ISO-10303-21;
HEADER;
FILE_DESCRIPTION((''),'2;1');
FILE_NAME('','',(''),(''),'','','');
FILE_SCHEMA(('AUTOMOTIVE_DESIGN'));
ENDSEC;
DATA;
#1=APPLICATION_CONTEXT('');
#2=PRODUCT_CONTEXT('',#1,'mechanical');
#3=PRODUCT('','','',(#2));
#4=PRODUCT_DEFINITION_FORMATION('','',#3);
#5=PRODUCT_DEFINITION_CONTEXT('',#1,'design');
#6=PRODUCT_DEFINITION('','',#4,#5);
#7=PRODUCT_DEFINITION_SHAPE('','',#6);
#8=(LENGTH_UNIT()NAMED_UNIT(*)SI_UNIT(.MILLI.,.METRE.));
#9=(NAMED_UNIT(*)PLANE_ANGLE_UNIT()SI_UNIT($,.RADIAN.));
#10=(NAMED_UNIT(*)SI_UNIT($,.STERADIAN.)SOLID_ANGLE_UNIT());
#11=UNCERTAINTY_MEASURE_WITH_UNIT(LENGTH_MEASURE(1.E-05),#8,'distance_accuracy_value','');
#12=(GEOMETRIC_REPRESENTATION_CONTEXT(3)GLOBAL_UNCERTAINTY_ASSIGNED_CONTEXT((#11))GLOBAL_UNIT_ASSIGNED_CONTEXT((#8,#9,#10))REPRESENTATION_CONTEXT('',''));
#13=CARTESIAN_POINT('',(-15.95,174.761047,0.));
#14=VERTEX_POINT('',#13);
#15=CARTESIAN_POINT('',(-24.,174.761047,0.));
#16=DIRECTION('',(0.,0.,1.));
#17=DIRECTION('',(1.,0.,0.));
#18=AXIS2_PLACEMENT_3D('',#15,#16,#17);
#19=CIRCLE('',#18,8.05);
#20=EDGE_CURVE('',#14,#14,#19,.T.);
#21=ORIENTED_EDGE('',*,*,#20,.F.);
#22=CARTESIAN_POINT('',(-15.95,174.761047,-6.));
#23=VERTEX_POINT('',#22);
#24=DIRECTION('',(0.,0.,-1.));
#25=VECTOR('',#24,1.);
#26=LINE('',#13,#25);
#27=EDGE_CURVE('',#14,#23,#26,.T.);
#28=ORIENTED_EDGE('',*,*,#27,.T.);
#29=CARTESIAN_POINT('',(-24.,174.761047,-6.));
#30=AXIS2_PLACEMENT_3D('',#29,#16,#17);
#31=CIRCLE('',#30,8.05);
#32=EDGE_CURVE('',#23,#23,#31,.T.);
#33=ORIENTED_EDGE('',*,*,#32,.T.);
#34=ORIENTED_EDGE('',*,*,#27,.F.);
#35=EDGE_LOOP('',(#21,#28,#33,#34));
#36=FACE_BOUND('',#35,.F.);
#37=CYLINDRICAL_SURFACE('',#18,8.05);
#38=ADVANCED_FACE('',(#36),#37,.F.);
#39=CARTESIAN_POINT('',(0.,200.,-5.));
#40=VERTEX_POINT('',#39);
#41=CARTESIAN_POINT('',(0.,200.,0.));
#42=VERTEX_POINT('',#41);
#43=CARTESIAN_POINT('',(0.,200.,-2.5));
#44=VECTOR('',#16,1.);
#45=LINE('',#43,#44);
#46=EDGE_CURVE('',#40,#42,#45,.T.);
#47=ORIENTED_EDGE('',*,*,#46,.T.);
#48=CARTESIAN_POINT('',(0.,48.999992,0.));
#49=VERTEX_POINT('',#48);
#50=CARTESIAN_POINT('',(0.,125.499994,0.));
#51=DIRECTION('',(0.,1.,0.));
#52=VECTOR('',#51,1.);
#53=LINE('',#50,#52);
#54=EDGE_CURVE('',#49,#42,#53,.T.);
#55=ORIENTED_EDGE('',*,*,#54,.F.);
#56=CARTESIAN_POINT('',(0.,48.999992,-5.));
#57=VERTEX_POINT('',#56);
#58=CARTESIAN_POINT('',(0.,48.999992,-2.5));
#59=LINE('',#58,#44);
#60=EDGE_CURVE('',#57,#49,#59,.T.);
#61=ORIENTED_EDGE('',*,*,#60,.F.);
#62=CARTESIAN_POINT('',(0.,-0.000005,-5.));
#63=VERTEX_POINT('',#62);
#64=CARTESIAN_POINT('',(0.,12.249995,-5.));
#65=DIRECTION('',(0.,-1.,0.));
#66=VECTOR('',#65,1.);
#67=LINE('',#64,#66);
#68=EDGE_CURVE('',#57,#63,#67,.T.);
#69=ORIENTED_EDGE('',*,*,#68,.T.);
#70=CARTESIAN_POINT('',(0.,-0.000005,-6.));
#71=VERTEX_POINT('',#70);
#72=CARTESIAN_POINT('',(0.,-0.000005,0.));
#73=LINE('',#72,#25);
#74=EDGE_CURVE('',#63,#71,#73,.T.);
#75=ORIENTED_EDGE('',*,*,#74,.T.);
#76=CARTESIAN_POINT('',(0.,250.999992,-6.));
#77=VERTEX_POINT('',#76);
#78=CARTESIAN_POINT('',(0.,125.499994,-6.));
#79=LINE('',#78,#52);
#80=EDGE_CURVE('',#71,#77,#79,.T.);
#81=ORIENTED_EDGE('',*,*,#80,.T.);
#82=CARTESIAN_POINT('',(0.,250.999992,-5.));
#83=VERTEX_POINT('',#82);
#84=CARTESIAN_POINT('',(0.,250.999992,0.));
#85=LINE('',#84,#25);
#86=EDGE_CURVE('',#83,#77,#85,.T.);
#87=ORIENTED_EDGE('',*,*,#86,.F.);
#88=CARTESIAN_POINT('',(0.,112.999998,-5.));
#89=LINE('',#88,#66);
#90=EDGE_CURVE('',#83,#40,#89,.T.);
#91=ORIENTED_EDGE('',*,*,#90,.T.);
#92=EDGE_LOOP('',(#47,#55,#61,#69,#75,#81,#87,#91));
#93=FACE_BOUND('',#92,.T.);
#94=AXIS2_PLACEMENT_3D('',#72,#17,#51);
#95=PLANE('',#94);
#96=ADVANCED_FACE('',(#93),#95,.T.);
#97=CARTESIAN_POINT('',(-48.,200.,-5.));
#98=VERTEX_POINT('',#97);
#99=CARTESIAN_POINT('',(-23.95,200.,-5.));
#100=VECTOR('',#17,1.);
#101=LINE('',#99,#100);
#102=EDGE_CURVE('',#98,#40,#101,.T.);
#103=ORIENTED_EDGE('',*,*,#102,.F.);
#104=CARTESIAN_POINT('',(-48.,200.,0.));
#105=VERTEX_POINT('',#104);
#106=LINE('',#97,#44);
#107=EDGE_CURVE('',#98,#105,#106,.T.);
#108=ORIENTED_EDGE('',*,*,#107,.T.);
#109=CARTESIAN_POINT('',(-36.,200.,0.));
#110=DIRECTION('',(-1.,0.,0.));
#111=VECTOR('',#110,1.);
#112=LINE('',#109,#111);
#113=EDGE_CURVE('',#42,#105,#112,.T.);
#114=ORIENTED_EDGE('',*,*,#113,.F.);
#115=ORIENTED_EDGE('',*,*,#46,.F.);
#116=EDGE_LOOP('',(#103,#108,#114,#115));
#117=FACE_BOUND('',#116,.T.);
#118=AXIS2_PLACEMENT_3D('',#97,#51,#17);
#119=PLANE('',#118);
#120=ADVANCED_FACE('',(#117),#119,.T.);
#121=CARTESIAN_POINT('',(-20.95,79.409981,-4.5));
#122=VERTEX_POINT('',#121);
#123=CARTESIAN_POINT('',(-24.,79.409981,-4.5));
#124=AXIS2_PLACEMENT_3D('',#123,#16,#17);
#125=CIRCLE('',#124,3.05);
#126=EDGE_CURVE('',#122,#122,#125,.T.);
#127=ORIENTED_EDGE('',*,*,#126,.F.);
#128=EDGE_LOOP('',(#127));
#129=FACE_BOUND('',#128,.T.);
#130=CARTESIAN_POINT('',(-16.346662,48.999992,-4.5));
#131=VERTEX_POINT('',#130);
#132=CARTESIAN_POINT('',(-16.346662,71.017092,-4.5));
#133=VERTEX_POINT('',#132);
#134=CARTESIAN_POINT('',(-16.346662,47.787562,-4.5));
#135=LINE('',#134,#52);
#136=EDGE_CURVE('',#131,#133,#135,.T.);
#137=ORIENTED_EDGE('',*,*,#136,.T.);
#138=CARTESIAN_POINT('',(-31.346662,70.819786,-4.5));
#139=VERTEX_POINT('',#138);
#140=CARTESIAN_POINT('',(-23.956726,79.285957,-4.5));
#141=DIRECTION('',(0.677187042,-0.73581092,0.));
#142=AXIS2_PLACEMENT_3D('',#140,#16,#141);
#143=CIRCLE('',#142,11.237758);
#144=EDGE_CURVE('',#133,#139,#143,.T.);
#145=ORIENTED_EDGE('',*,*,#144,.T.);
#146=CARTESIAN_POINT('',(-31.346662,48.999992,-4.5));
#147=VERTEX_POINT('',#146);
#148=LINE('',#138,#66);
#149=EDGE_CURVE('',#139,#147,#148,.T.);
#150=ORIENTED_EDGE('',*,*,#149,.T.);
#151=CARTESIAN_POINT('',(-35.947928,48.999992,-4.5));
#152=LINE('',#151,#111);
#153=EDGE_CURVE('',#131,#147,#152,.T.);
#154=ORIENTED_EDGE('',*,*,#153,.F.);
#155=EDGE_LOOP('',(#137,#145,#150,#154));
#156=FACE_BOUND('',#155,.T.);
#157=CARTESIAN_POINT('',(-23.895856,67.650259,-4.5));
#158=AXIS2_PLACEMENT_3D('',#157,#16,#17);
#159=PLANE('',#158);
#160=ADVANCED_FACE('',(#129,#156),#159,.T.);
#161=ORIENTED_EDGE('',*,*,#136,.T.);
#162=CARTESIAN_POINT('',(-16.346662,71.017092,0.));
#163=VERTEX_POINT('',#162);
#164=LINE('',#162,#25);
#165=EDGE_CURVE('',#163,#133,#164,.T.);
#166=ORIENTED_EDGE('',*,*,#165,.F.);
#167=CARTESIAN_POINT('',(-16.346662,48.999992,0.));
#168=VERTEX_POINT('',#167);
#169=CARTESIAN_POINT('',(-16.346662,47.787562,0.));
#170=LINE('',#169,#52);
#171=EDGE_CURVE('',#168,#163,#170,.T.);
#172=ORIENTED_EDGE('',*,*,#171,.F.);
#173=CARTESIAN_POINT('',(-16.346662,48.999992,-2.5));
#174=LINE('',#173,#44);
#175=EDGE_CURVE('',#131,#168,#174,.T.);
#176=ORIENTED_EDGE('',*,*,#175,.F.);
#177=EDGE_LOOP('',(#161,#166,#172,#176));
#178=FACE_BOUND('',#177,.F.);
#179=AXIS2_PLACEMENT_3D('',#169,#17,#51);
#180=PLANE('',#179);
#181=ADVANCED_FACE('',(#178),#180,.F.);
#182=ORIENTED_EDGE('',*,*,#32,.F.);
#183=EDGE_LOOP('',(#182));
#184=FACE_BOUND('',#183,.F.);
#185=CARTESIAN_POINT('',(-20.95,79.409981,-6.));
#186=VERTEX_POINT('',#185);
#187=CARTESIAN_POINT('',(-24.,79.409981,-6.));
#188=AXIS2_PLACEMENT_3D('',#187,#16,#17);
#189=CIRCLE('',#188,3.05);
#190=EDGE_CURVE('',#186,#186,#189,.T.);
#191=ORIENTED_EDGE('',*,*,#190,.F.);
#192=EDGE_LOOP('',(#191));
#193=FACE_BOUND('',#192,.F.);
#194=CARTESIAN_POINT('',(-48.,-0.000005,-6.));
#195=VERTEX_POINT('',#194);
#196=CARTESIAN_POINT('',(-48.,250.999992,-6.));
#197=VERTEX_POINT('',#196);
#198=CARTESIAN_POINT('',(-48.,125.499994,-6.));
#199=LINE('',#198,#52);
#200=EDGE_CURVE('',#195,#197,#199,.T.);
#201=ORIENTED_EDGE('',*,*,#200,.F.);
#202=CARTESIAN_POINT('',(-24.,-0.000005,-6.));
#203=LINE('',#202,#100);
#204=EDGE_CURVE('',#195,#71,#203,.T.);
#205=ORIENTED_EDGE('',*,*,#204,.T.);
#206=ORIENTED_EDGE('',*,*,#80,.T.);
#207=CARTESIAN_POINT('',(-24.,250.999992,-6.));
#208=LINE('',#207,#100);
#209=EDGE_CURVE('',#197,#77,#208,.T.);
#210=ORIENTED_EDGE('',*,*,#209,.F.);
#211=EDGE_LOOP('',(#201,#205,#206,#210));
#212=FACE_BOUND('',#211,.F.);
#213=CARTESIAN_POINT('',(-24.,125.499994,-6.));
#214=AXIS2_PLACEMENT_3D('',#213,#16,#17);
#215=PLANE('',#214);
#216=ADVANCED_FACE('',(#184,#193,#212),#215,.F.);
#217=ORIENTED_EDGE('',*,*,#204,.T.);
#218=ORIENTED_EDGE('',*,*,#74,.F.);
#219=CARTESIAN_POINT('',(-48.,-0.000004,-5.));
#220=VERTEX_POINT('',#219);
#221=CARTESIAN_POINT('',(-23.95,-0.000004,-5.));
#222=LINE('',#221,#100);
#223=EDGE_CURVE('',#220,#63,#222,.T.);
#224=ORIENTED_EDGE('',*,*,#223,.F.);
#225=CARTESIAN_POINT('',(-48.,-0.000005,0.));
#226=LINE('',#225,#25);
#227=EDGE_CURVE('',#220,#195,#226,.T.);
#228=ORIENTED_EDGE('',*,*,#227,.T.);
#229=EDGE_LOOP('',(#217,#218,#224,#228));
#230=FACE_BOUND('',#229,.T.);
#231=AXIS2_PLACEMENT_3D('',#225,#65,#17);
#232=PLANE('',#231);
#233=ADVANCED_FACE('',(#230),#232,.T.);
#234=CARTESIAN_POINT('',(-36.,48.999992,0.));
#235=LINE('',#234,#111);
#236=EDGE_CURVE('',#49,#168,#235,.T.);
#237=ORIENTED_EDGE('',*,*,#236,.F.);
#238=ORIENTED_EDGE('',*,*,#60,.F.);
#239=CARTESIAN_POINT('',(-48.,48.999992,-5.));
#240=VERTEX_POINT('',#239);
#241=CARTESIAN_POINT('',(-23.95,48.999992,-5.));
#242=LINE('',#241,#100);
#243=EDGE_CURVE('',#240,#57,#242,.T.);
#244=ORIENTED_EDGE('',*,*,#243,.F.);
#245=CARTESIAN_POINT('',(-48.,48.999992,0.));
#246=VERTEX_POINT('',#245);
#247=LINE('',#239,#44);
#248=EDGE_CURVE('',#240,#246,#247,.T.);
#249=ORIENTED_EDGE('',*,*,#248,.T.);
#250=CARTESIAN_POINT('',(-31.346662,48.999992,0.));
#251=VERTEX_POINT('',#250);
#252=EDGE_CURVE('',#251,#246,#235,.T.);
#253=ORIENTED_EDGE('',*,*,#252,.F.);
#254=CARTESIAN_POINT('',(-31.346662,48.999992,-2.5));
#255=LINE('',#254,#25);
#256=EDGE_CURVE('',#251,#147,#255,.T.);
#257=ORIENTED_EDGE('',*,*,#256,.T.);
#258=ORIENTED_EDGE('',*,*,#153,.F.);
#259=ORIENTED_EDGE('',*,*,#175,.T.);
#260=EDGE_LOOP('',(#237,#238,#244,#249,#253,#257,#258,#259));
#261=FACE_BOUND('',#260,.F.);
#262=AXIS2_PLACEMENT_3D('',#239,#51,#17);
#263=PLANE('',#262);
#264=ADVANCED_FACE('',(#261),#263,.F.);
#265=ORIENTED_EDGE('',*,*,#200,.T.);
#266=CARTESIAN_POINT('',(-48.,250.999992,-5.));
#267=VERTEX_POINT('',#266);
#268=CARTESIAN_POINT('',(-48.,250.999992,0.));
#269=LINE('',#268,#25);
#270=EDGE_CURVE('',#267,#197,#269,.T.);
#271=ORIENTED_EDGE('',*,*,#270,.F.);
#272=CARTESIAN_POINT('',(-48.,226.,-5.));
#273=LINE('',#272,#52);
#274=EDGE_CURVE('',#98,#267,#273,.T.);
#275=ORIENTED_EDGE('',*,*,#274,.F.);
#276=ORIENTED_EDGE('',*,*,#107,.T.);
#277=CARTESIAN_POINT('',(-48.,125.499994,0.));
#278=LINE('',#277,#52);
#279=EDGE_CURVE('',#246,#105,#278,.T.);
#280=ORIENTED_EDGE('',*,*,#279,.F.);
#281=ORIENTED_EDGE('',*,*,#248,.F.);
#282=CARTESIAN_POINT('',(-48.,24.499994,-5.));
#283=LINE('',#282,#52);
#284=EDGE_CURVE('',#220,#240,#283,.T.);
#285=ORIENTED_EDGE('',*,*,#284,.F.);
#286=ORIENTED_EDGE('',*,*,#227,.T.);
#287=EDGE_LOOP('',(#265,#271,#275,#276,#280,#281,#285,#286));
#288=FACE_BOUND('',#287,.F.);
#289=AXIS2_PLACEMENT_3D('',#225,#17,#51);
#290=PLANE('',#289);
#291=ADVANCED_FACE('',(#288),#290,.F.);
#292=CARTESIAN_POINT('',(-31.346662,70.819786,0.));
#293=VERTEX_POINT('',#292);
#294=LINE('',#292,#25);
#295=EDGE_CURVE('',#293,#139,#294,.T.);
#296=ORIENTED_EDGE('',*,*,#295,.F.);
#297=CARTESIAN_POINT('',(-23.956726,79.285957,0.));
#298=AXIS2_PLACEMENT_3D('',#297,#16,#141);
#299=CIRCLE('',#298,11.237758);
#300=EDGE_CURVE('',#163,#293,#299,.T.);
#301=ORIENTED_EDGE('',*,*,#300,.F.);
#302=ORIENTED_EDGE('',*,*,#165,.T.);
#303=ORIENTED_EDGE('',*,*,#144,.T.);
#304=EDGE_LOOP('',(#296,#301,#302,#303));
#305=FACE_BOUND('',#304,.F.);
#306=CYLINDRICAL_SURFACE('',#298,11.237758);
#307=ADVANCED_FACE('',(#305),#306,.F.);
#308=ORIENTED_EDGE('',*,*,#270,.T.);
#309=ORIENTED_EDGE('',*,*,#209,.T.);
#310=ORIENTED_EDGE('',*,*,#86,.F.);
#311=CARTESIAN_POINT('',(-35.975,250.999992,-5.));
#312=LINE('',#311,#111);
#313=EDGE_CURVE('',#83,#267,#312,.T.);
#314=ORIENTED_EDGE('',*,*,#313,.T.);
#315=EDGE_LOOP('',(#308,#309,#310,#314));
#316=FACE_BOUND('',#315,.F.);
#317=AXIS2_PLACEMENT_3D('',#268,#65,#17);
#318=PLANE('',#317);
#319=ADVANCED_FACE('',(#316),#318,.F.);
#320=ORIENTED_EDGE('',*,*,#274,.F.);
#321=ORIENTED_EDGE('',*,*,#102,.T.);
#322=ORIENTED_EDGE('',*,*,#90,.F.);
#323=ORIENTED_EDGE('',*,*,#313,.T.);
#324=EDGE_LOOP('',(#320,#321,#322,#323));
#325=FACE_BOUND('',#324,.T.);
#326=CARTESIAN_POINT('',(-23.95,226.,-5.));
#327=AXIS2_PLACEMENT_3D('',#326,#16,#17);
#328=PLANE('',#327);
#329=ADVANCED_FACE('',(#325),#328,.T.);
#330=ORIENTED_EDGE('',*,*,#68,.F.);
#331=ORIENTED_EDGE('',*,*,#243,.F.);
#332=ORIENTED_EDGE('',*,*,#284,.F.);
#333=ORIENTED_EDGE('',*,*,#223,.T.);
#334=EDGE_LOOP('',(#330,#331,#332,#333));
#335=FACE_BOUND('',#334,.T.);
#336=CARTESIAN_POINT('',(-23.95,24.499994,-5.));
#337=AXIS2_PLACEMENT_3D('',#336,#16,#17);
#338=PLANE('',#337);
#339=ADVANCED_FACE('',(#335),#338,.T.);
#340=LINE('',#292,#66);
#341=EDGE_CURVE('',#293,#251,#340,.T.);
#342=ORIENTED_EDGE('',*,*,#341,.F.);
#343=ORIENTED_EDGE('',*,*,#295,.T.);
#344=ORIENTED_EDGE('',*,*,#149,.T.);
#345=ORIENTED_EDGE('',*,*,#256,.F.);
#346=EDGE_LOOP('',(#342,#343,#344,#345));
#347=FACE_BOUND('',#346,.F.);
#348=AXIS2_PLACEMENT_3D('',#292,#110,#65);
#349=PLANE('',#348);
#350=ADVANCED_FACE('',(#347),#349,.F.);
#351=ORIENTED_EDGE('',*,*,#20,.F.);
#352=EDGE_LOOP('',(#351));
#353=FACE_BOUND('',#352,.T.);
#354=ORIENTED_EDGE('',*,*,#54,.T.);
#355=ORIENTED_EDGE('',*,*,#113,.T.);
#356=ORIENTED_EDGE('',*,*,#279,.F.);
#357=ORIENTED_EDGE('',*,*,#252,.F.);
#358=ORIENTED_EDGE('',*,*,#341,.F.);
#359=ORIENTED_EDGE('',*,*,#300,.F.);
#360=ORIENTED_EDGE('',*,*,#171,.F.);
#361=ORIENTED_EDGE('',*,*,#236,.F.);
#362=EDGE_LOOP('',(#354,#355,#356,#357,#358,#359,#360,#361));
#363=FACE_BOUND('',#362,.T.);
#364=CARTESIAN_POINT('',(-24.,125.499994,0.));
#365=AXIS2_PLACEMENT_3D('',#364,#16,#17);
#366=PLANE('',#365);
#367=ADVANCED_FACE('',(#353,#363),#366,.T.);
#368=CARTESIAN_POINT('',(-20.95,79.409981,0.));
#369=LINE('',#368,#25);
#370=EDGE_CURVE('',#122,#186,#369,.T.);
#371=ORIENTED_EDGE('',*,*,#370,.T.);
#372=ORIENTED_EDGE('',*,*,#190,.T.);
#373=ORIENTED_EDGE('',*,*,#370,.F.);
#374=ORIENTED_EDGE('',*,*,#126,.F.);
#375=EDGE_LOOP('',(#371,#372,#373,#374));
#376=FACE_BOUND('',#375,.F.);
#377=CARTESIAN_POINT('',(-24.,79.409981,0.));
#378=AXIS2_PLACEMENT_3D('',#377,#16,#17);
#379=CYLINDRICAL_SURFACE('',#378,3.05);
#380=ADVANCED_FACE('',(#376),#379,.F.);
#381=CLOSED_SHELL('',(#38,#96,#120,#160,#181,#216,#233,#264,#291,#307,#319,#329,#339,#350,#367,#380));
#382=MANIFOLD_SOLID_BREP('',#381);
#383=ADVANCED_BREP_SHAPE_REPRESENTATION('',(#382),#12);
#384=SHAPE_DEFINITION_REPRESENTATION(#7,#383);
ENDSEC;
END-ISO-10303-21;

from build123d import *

# Parameters (mm, degrees)
SKETCH_W        = 48
SKETCH_H        = 250.999997
SKETCH_R        = 8.05
SKETCH_R_2      = 3.05
PAD_DEPTH       = 6
POCKET_DEPTH    = 4.5
SKETCH002_W     = 48.1
SKETCH002_H     = 48.999997
POCKET001_DEPTH = 5.001
SKETCH003_W     = 48.1
SKETCH003_H     = 52
POCKET002_DEPTH = 5.001


with BuildPart() as part:
    # Sketch → Pad (new body)
    with BuildSketch(Plane.XY):
        with Locations((-24, 125.499994)):
            Rectangle(SKETCH_W, SKETCH_H)
        with Locations((-24, 174.761047)):
            Circle(SKETCH_R, mode=Mode.SUBTRACT)
        with Locations((-24, 79.409981)):
            Circle(SKETCH_R_2, mode=Mode.SUBTRACT)
    extrude(amount=-PAD_DEPTH)

    # Sketch001 → Pocket (cut)
    with BuildSketch(Plane.XY):
        with BuildLine():
            Line((-31.346662, 47.787562), (-16.346662, 47.787562))
            Line((-16.346662, 47.787562), (-16.346662, 71.017092))
            ThreePointArc((-16.346662, 71.017092), (-24.104532, 90.522743), (-31.346662, 70.819786))
            Line((-31.346662, 70.819786), (-31.346662, 47.787562))
        make_face()
    extrude(amount=-POCKET_DEPTH, mode=Mode.SUBTRACT)

    # Sketch002 → Pocket001 (cut, through all)
    with BuildSketch(Plane.XY.offset(-5)):
        with Locations((-23.95, 24.499994)):
            Rectangle(SKETCH002_W, SKETCH002_H)
    extrude(amount=POCKET001_DEPTH, mode=Mode.SUBTRACT)

    # Sketch003 → Pocket002 (cut, through all)
    with BuildSketch(Plane.XY.offset(-5)):
        with Locations((-23.95, 226)):
            Rectangle(SKETCH003_W, SKETCH003_H)
    extrude(amount=POCKET002_DEPTH, mode=Mode.SUBTRACT)


solid = part.part
